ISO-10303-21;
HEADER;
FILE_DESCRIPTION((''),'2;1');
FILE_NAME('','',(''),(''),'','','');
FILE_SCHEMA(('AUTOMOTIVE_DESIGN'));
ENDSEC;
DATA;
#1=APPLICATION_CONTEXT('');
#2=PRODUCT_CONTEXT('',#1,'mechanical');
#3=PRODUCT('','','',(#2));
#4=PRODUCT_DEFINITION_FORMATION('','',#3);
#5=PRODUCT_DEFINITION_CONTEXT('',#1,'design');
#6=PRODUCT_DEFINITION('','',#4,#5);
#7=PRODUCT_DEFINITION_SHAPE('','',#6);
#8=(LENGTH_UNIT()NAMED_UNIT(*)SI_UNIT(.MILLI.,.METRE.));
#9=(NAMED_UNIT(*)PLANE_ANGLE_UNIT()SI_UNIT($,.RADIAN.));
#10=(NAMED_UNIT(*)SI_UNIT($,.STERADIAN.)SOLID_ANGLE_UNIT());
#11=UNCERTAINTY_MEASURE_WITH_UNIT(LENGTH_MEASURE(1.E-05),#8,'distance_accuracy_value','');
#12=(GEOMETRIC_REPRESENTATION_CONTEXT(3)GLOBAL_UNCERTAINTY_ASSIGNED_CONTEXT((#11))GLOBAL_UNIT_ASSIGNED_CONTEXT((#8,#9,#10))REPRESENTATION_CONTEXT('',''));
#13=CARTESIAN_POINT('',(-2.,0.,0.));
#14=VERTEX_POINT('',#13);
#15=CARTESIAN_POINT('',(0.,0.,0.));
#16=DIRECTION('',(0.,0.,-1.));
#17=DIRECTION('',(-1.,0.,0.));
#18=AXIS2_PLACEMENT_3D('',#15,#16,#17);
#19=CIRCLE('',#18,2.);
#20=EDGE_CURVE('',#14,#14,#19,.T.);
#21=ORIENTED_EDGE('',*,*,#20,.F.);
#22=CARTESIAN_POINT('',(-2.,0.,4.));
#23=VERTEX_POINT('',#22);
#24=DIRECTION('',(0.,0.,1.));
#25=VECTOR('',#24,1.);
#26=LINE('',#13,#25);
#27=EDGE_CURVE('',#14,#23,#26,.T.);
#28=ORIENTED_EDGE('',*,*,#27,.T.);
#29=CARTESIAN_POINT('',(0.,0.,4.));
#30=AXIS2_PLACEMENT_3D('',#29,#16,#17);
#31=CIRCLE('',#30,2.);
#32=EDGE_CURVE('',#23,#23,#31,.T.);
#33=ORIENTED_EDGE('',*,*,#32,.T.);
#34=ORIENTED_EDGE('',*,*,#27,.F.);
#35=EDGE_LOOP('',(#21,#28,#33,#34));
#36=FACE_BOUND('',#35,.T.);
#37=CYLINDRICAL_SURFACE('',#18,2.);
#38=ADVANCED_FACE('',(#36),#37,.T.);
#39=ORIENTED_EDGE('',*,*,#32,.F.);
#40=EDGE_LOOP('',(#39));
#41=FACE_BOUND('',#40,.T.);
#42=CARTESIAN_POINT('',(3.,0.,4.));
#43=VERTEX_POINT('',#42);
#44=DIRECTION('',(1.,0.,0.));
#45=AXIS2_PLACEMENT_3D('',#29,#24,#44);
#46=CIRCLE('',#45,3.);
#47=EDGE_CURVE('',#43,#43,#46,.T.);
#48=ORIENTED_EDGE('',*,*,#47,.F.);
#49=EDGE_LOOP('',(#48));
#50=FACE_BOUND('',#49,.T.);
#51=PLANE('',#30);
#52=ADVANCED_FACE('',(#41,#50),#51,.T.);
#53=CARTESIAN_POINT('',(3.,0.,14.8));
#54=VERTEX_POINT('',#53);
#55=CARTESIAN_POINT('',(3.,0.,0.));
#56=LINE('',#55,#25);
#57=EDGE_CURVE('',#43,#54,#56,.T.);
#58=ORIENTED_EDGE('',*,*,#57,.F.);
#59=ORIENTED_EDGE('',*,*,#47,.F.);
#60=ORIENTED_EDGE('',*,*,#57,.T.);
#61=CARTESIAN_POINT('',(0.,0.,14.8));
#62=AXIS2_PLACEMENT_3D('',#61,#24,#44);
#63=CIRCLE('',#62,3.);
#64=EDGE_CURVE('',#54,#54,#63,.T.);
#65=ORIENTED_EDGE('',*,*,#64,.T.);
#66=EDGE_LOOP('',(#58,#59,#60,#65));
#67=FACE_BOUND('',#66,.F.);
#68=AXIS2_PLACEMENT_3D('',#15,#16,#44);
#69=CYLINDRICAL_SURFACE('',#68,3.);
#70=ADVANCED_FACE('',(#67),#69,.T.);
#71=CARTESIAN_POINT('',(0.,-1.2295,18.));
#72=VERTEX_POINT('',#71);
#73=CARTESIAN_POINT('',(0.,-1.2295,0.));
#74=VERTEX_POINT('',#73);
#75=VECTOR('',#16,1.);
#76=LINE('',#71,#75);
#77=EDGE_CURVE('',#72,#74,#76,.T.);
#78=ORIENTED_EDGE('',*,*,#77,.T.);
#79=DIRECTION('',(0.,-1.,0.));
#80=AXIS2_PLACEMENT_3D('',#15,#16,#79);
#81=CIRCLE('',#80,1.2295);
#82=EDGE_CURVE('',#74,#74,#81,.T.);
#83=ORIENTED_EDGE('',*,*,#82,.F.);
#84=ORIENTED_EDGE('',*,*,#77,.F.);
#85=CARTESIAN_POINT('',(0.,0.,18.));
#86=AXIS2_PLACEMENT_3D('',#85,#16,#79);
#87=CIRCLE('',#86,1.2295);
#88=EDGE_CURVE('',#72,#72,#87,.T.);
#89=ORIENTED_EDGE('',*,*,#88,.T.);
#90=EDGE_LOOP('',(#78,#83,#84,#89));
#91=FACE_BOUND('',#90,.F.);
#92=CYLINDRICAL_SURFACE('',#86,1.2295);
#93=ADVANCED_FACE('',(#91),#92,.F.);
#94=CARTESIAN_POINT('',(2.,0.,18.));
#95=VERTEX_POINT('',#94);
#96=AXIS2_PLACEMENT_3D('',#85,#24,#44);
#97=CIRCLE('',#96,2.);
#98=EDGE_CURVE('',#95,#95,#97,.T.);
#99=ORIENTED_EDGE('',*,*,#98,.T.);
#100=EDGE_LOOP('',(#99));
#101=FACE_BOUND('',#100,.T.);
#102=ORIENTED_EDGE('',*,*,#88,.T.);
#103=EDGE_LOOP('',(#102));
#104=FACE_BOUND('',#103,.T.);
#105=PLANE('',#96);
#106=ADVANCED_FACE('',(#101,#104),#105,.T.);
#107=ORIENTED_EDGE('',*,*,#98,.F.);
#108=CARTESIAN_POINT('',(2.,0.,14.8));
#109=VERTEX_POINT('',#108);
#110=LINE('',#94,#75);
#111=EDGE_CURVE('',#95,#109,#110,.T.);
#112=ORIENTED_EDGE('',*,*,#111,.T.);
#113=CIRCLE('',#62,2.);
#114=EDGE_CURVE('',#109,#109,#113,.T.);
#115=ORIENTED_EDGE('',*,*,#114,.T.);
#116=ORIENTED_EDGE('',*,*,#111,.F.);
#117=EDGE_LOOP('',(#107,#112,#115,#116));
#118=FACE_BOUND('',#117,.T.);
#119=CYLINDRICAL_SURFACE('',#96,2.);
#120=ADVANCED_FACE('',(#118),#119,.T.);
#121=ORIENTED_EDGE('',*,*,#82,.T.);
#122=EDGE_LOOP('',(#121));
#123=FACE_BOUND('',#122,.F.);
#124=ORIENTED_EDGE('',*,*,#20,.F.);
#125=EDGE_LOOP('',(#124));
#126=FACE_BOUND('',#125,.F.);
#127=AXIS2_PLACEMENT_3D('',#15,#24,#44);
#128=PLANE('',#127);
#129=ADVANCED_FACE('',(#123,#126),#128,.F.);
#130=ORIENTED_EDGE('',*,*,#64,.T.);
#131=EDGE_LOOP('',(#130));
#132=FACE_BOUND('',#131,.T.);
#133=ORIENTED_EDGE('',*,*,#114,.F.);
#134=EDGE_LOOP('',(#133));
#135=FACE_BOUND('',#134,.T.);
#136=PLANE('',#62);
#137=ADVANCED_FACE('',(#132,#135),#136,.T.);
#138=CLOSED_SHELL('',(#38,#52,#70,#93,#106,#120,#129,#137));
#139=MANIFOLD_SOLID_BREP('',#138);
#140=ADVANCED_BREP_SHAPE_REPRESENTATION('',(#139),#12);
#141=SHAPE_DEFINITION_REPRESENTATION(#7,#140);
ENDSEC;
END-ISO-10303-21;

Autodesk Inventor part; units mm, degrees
ref_plane "YZ Plane" through (0, 0, 0) normal (1, 0, 0) x (0, 1, 0)
ref_plane "XZ Plane" through (0, 0, 0) normal (0, 1, 0) x (-1, 0, 0)
ref_plane "XY Plane" through (0, 0, 0) normal (0, 0, 1) x (1, 0, 0)
sketch "スケッチ1" plane through (0, 0, 0) normal (0, 0, 1) x (1, 0, 0)
  circle A0 centre (0, 0) radius 3
  dimension "d0" = 6
extrude "押し出し1" add sketch "スケッチ1" along normal blind 18
sketch "スケッチ3" plane through (0, 0, 18) normal (0, 0, 1) x (1, 0, 0)
  circle A0 centre (0, 0) radius 3 projected
hole "Hole2" at (0, 0, 18) direction (0, 0, -1) diameter 2.459 end through all thread size "M3x0.5" class "6H" standard "ISO Metric profile"
sketch "スケッチ4" plane through (0, 0, 18) normal (0, 0, 1) x (1, 0, 0)
  circle A0 centre (0, 0) radius 3 projected
  circle A1 centre (0, 0) radius 2
  dimension "d20" = 4
extrude "押し出し2" cut sketch "スケッチ4" against normal blind 3.2
sketch "スケッチ5" plane through (0, 0, 0) normal (0, 0, -1) x (-1, 0, 0)
  circle A0 centre (0, 0) radius 3 projected
  circle A1 centre (0, 0) radius 2
  dimension "d23" = 4
extrude "押し出し3" cut sketch "スケッチ5" against normal blind 4
properties part number "shaft6-19"
